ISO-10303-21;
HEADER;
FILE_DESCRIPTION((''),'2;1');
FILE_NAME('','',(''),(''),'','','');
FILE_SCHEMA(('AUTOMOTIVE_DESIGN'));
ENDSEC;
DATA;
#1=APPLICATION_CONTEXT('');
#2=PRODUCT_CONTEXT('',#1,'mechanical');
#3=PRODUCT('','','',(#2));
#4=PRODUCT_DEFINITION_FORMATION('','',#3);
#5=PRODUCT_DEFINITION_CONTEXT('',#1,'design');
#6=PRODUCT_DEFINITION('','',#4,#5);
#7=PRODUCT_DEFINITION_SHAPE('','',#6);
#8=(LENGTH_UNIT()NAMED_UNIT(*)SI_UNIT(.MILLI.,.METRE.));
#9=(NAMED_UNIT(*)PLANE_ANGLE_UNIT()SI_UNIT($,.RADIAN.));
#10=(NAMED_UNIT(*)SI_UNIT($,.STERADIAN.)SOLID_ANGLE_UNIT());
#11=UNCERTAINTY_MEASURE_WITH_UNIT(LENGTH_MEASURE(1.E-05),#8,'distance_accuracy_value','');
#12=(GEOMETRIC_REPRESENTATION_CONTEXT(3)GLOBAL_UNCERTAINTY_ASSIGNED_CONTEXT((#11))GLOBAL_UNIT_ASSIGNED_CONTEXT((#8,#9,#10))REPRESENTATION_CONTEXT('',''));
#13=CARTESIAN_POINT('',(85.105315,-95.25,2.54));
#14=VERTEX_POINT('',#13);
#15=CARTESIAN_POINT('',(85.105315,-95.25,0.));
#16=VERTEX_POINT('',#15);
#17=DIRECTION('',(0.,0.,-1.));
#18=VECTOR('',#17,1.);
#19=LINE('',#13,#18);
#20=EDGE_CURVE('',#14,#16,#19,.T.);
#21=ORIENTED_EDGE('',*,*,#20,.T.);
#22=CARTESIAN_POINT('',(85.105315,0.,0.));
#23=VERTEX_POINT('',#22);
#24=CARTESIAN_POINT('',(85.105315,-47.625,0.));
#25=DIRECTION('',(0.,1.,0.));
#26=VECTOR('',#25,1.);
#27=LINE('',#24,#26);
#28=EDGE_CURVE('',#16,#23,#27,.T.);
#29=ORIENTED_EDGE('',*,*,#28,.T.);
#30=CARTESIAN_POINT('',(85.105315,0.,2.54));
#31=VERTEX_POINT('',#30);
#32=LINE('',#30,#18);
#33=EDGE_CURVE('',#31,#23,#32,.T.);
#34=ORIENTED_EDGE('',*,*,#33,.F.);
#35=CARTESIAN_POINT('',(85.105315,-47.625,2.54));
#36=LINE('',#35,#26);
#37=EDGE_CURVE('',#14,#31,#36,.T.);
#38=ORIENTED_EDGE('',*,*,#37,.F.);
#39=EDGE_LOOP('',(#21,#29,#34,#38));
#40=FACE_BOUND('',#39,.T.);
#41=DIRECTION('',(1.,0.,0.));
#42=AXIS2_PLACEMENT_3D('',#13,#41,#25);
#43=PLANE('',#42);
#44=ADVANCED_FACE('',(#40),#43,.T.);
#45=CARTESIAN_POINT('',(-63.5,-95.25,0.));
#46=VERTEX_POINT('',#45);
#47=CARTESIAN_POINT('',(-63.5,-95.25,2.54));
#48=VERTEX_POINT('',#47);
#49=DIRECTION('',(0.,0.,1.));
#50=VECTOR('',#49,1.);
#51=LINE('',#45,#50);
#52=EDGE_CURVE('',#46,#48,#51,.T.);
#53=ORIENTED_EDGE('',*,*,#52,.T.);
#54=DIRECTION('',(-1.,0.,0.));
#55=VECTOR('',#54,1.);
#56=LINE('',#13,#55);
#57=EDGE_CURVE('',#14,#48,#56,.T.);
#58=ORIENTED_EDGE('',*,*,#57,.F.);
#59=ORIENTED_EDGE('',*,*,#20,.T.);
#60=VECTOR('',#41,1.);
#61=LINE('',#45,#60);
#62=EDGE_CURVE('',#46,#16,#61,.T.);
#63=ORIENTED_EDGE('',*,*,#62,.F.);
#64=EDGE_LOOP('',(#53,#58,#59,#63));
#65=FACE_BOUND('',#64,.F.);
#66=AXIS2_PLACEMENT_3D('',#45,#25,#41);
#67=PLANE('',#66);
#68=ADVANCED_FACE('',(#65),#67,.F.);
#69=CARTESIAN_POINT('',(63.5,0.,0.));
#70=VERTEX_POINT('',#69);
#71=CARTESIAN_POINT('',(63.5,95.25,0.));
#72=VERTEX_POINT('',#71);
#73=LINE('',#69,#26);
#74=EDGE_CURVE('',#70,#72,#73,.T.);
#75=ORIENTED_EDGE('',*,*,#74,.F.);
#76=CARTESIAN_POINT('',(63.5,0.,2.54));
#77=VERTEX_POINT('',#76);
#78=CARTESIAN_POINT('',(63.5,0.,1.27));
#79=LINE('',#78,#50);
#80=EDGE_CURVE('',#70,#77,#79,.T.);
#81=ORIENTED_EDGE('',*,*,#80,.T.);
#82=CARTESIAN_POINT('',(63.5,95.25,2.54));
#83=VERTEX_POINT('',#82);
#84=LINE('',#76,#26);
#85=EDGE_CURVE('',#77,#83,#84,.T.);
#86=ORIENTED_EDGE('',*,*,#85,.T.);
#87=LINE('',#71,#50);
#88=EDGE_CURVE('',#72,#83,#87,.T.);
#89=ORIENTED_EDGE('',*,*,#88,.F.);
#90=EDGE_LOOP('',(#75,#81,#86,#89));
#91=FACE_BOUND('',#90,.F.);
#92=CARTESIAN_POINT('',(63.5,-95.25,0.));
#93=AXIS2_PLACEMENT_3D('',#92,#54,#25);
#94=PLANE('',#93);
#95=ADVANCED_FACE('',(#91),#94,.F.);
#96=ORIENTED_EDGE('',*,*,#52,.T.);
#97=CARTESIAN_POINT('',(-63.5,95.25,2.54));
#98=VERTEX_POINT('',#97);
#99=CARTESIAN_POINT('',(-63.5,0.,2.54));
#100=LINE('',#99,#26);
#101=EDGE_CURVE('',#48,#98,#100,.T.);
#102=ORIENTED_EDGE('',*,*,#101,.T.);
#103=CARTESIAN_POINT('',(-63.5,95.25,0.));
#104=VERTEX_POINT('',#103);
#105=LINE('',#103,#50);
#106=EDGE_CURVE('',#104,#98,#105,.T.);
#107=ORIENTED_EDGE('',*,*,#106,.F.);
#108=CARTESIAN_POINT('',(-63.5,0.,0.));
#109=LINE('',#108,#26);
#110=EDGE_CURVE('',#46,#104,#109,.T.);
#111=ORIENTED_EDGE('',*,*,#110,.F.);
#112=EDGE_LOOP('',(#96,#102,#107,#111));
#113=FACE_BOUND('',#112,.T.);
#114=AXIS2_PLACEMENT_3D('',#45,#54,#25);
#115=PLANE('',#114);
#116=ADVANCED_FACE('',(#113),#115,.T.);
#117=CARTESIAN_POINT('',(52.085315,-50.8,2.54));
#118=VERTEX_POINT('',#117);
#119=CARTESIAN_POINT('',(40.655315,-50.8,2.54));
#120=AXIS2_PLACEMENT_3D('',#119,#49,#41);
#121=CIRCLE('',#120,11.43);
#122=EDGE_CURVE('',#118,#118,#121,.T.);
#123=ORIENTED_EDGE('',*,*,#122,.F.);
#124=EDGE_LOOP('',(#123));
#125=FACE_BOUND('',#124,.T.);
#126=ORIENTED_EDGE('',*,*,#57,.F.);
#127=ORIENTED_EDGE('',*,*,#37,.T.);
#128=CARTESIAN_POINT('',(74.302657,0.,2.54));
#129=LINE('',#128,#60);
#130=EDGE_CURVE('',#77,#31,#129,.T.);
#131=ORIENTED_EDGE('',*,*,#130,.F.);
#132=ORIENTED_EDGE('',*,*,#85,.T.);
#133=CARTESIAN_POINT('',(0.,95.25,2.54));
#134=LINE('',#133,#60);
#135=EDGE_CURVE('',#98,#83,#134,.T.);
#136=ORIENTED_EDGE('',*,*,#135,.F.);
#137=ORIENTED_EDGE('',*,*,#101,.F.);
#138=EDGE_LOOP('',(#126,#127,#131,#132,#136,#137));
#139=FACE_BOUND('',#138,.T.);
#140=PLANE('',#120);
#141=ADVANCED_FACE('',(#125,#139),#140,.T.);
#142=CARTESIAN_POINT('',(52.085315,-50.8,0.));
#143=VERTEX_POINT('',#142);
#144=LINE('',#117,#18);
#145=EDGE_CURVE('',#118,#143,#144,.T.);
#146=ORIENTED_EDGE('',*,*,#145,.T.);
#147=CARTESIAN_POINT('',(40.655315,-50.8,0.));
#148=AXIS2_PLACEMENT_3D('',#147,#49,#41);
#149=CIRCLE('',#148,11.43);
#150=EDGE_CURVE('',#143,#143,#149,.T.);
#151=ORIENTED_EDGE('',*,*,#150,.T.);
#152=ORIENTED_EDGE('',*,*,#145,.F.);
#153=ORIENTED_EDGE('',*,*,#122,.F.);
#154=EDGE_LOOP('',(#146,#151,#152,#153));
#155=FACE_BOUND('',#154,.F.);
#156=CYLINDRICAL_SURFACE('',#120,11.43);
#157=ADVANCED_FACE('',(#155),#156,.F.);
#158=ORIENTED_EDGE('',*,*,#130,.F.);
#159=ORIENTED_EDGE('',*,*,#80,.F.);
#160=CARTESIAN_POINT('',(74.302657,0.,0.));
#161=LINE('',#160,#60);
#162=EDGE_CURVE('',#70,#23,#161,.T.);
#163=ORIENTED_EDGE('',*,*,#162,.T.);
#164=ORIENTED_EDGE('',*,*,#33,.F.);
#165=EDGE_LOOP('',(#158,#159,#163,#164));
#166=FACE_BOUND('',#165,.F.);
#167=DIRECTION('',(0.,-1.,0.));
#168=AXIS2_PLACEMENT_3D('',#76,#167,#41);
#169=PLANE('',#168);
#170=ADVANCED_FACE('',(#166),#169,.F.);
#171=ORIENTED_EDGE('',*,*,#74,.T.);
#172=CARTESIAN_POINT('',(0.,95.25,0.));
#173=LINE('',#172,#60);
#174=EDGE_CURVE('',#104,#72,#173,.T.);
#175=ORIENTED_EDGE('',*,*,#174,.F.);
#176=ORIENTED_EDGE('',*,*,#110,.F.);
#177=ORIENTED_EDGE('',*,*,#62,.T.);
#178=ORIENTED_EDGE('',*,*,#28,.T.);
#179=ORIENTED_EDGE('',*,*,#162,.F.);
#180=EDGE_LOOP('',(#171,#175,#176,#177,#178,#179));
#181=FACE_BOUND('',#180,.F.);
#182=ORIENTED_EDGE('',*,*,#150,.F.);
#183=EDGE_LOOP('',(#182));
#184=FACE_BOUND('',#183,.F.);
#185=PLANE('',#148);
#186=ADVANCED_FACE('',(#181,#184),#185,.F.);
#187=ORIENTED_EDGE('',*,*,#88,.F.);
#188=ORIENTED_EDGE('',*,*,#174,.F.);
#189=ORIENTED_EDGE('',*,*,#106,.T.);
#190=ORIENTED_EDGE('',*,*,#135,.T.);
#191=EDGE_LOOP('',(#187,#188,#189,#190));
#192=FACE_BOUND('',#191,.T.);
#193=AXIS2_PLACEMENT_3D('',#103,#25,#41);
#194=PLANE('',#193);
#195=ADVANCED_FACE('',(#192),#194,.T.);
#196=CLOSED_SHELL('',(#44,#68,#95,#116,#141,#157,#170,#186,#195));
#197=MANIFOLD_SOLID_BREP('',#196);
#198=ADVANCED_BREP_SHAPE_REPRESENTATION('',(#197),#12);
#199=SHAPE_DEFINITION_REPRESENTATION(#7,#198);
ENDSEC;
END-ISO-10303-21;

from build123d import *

# Parameters (mm, degrees)
F0_W     = 127
F0_H     = 190.5
F1_DEPTH = 2.54
F2_W     = 21.605315
F2_H     = 95.25
F3_DEPTH = 2.54
F4_R     = 12.7
F5_DEPTH = 101.870598
F6_R     = 12.7
F6_R_2   = 11.43
F7_DEPTH = 2.54


with BuildPart() as f1:
    # F0 (on Top) → F1 (new body)
    with BuildSketch(Plane.XY):
        Rectangle(F0_W, F0_H)
    extrude(amount=F1_DEPTH)

    # F2 (on face) → F3 (join)
    with BuildSketch(Plane.XY.offset(2.54)):
        with Locations((74.302657, -47.625)):
            Rectangle(F2_W, F2_H)
    extrude(amount=-F3_DEPTH)

    # F4 (on face) → F5 (cut)
    with BuildSketch(Plane.XY.offset(2.54)):
        with Locations((40.655315, -50.8)):
            Circle(F4_R)
    extrude(amount=-F5_DEPTH, mode=Mode.SUBTRACT)

    # F6 (on face) → F7 (join)
    with BuildSketch(Plane.XY.offset(2.54)):
        with Locations((40.655315, -50.8)):
            Circle(F6_R)
        with Locations((40.655315, -50.8)):
            Circle(F6_R_2, mode=Mode.SUBTRACT)
    extrude(amount=-F7_DEPTH)


solid = f1.part
